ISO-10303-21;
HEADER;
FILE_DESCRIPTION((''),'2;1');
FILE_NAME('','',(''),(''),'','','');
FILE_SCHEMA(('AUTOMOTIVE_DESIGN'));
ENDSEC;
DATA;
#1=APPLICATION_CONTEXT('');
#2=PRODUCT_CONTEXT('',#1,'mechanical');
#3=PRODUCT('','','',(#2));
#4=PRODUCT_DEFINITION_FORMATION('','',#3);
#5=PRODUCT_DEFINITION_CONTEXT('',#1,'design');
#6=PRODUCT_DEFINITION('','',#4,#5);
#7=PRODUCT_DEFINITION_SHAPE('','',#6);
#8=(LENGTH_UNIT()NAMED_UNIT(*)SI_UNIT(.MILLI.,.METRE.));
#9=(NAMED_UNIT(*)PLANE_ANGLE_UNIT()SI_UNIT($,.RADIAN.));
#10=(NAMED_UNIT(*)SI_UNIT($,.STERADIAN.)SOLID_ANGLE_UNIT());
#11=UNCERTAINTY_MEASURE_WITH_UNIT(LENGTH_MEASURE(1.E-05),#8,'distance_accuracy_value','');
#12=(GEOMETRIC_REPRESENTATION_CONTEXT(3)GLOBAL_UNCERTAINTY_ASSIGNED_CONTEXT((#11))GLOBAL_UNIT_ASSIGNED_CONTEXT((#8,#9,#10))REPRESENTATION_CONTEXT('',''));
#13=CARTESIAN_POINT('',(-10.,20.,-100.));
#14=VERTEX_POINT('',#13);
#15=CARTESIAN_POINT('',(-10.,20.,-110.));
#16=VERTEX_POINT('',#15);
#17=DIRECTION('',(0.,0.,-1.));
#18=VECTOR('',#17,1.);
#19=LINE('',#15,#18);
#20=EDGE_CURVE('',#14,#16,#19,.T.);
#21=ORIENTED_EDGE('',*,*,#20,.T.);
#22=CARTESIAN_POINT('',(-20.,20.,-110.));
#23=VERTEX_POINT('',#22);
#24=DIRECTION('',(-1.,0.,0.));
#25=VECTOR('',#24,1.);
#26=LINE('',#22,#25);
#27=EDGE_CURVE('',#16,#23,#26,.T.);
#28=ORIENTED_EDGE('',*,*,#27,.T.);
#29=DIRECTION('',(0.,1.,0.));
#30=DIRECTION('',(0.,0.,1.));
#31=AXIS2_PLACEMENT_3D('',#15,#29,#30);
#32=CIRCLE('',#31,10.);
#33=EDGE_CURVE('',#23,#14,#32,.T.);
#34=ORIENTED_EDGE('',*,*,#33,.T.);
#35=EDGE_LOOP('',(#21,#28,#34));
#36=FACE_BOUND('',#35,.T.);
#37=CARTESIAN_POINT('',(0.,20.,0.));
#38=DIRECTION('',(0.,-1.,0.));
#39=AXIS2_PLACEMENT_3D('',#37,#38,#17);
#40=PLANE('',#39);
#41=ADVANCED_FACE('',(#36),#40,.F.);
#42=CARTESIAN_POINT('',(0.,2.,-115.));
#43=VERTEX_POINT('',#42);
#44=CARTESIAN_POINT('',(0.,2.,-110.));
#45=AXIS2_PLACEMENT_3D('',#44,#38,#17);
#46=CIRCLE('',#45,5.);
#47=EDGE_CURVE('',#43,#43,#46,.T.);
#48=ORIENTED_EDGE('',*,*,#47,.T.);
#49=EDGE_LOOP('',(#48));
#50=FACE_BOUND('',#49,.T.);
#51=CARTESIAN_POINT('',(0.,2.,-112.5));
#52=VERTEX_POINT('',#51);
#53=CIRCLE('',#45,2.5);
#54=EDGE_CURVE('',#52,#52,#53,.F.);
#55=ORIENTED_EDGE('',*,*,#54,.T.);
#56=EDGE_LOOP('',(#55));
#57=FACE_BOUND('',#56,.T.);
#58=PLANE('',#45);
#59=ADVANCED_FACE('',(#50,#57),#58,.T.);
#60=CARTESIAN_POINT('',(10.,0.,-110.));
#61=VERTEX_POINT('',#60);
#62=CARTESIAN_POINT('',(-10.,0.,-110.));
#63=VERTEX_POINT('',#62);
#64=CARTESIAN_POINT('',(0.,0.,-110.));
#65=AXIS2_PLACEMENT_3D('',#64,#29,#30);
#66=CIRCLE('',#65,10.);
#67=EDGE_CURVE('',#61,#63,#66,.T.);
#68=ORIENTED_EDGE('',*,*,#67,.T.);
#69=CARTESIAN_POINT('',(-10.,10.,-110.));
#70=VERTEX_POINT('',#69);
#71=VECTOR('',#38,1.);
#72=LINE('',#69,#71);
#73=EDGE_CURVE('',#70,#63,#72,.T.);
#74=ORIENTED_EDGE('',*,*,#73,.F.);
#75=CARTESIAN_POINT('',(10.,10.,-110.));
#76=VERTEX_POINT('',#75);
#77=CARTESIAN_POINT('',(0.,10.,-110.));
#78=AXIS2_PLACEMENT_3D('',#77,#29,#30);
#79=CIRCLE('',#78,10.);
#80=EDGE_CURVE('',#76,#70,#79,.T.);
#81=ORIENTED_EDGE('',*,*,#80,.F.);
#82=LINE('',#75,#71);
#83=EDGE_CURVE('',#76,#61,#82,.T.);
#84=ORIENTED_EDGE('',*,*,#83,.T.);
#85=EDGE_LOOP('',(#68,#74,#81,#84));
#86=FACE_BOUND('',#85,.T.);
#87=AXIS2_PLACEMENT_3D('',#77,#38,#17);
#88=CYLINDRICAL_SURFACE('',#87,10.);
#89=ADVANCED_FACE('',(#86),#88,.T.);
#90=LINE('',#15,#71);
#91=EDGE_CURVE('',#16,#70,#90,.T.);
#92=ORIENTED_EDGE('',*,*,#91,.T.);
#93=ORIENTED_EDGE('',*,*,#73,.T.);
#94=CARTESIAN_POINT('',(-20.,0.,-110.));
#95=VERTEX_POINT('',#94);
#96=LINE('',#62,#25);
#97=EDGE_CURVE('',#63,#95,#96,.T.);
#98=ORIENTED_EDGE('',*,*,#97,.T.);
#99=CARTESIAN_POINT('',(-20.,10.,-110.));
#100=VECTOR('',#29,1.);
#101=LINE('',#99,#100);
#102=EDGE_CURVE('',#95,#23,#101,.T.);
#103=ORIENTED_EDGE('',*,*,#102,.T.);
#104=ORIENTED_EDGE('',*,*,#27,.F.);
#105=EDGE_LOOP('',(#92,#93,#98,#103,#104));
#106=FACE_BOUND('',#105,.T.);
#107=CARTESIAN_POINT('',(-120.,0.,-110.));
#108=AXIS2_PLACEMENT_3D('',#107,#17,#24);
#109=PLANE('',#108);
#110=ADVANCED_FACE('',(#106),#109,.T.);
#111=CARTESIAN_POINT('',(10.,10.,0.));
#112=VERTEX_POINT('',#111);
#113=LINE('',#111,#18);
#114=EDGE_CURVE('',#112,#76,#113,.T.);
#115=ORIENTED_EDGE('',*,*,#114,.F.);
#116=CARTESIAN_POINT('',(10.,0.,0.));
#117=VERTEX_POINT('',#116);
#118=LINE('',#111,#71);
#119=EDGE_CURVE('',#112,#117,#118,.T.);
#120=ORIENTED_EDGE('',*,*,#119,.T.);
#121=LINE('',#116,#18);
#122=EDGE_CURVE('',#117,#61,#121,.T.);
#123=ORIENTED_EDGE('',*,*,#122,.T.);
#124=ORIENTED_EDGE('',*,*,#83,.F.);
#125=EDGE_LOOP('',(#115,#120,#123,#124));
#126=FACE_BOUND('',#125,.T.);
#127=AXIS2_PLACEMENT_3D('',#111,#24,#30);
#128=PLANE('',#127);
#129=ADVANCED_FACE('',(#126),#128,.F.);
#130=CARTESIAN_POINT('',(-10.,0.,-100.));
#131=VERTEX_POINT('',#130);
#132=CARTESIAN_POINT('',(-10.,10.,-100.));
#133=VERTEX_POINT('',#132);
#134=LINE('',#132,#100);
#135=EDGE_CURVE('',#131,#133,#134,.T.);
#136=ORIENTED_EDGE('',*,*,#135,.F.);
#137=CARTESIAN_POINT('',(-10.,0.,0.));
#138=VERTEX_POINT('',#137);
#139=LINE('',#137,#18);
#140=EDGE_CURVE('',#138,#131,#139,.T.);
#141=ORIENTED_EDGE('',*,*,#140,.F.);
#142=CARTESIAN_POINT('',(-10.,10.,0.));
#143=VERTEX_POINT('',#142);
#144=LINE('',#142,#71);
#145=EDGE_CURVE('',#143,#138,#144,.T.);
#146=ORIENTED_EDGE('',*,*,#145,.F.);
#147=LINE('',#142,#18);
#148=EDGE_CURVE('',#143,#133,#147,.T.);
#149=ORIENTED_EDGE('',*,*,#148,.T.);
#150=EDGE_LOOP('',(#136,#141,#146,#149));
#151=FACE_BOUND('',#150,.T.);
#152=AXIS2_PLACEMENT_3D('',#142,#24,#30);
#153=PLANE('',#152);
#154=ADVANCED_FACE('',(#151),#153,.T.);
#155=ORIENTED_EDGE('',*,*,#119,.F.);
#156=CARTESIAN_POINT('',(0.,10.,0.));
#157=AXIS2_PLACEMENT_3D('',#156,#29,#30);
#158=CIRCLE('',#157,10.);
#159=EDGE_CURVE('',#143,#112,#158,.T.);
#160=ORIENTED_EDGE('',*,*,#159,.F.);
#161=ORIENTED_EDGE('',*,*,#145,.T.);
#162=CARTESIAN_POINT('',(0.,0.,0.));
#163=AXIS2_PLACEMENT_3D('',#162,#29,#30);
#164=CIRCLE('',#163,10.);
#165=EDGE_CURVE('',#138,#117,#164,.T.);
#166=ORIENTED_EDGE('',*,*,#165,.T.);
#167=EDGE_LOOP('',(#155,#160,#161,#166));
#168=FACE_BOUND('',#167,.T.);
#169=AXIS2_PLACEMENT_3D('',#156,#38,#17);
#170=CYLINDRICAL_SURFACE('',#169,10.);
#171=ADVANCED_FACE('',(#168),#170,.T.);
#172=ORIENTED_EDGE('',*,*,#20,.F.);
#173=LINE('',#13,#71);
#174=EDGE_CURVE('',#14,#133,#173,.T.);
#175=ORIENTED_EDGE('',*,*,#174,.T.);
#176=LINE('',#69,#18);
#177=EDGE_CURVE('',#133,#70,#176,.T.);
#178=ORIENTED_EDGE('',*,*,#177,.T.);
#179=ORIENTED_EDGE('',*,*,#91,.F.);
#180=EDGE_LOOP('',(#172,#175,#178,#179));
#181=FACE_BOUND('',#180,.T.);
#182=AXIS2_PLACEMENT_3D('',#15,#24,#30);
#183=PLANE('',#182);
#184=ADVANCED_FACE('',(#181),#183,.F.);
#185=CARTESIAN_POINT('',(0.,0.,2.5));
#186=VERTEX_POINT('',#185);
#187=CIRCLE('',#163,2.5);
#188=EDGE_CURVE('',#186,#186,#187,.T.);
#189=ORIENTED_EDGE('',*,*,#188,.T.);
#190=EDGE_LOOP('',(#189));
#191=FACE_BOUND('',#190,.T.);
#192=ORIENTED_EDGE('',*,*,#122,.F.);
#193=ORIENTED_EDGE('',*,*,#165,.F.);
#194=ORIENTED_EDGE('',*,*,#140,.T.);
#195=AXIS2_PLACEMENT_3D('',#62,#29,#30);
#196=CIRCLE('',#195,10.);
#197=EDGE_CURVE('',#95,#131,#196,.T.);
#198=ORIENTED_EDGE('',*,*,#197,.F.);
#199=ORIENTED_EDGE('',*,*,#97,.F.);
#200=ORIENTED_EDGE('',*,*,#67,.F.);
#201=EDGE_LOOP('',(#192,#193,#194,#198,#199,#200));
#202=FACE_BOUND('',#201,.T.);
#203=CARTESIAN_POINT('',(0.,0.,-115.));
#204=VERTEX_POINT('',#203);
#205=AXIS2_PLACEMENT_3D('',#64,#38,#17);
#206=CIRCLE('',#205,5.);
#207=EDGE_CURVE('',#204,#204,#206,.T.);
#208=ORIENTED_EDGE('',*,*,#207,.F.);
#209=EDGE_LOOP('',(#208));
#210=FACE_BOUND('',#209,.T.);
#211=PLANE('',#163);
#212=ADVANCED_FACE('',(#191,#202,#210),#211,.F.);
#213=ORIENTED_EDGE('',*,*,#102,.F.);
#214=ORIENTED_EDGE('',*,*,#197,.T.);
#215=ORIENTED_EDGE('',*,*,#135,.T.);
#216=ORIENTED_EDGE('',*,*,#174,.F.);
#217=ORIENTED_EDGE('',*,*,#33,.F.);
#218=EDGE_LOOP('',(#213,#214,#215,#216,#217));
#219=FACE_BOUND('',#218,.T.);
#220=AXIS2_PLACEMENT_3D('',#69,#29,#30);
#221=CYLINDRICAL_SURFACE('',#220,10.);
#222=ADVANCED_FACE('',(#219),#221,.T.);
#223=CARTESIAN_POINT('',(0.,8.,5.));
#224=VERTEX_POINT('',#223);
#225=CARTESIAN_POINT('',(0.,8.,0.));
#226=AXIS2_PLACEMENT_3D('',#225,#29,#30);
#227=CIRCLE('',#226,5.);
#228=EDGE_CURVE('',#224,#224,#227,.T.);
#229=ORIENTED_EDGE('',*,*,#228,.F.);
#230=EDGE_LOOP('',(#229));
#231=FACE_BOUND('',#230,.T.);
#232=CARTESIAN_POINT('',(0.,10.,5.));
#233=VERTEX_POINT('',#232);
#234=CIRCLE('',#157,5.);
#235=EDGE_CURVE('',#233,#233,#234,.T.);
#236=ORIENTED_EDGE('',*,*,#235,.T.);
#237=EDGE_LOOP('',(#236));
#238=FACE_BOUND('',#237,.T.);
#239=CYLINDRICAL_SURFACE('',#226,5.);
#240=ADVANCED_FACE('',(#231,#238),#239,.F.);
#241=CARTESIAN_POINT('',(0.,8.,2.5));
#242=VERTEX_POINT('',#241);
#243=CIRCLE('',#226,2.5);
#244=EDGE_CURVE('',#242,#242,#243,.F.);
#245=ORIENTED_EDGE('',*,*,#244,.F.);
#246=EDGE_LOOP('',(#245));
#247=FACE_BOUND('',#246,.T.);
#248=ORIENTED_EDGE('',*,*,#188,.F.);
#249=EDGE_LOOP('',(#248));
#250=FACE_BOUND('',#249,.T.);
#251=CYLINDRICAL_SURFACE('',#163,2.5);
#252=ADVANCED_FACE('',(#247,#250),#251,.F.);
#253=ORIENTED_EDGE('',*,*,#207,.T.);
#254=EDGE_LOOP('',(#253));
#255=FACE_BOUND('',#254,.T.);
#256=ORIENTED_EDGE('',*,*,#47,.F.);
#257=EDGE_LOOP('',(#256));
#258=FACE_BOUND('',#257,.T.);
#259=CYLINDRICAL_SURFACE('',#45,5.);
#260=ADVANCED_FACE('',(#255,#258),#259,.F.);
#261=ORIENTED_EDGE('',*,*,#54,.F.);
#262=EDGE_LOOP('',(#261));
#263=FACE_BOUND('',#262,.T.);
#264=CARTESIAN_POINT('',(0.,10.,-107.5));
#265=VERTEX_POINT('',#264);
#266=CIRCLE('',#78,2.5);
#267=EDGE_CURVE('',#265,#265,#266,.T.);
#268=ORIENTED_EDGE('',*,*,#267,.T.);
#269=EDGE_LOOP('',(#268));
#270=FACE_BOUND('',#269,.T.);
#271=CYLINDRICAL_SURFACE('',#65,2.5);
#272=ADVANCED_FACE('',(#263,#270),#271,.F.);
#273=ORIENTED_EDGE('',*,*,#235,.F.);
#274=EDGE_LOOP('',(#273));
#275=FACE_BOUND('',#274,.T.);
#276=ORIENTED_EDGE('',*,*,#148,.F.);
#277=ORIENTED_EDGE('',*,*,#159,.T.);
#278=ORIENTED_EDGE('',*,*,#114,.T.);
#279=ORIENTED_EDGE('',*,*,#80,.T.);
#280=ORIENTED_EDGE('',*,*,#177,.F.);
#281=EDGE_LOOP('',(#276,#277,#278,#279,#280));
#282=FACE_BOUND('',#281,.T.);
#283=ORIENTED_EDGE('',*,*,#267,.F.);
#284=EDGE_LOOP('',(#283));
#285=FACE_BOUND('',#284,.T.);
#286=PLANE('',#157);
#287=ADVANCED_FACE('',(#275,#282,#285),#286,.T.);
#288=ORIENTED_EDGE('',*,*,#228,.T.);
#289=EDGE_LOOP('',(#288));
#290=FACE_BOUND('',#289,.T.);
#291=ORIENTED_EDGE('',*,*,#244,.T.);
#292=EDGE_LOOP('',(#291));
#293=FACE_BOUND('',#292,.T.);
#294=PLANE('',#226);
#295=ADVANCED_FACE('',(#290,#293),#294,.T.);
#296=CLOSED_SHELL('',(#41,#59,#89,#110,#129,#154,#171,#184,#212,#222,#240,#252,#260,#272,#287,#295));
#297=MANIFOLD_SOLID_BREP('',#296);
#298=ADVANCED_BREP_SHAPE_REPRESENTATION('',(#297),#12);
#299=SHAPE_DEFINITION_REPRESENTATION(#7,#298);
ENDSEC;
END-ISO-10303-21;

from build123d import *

# Parameters (mm, degrees)
BOSS_EXTRUDE2_DEPTH = 10
SKETCH2_R           = 2.5
CUT_EXTRUDE1_DEPTH  = 10
SKETCH3_W           = 10
SKETCH3_H           = 10
REVOLVE1_ANGLE      = 90
BOSS_EXTRUDE3_DEPTH = 10
SKETCH5_W           = 10
SKETCH5_H           = 10
REVOLVE2_ANGLE      = 90
SKETCH7_R           = 5
CUT_EXTRUDE2_DEPTH  = 2
SKETCH8_R           = 5
CUT_EXTRUDE3_DEPTH  = 2


with BuildPart() as part:
    # Sketch1 → Boss-Extrude2 (new body)
    with BuildSketch(Plane(origin=(0, 0, 0), x_dir=(1, 0, 0), z_dir=(0, 1, 0))):
        with BuildLine():
            ThreePointArc((10, 110), (0, 120), (-10, 110))
            Line((-10, 110), (10, 110))
        make_face()
        with BuildLine():
            Line((10, 110), (-10, 110))
            ThreePointArc((-10, 110), (0, 100), (10, 110))
        make_face()
        with BuildLine():
            Line((-10, 110), (-10, 0))
            ThreePointArc((-10, 0), (0, 10), (10, 0))
            Line((10, 0), (10, 110))
            ThreePointArc((10, 110), (0, 100), (-10, 110))
        make_face()
        with BuildLine():
            ThreePointArc((10, 0), (0, 10), (-10, 0))
            Line((-10, 0), (10, 0))
        make_face()
        with BuildLine():
            Line((10, 0), (-10, 0))
            ThreePointArc((-10, 0), (0, -10), (10, 0))
        make_face()
    extrude(amount=BOSS_EXTRUDE2_DEPTH)

    # Sketch2 → Cut-Extrude1 (cut)
    with BuildSketch(Plane(origin=(0, 10, 0), x_dir=(1, 0, 0), z_dir=(0, 1, 0))):
        Circle(SKETCH2_R)
        with Locations((0, 110)):
            Circle(SKETCH2_R)
    extrude(amount=-CUT_EXTRUDE1_DEPTH, mode=Mode.SUBTRACT)

    # Sketch3 → Revolve1 (revolve)
    with BuildSketch(Plane.ZY.offset(10)):
        with Locations((-105, 5)):
            Rectangle(SKETCH3_W, SKETCH3_H)
    revolve(axis=Axis((-10, 10, -110), (0, -1, 0)), revolution_arc=REVOLVE1_ANGLE)

    # Sketch4 → Boss-Extrude3 (add)
    with BuildSketch(Plane(origin=(0, 10, 0), x_dir=(1, 0, 0), z_dir=(0, 1, 0))):
        Polygon((-10, 110), (-10, 100), (-20, 110), align=None)
    extrude(amount=BOSS_EXTRUDE3_DEPTH)

    # Sketch5 → Revolve2 (revolve)
    with BuildSketch(Plane(origin=(-10, 0, 0), x_dir=(0, 0, -1), z_dir=(1, 0, 0))):
        with Locations((105, 15)):
            Rectangle(SKETCH5_W, SKETCH5_H)
    revolve(axis=Axis((-10, 20, -110), (0, -1, 0)), revolution_arc=REVOLVE2_ANGLE)

    # Sketch7 → Cut-Extrude2 (cut)
    with BuildSketch(Plane(origin=(0, 10, 0), x_dir=(1, 0, 0), z_dir=(0, 1, 0))):
        Circle(SKETCH7_R)
    extrude(amount=-CUT_EXTRUDE2_DEPTH, mode=Mode.SUBTRACT)

    # Sketch8 → Cut-Extrude3 (cut)
    with BuildSketch(Plane.XZ):
        with Locations((0, -110)):
            Circle(SKETCH8_R)
    extrude(amount=-CUT_EXTRUDE3_DEPTH, mode=Mode.SUBTRACT)


solid = part.part
